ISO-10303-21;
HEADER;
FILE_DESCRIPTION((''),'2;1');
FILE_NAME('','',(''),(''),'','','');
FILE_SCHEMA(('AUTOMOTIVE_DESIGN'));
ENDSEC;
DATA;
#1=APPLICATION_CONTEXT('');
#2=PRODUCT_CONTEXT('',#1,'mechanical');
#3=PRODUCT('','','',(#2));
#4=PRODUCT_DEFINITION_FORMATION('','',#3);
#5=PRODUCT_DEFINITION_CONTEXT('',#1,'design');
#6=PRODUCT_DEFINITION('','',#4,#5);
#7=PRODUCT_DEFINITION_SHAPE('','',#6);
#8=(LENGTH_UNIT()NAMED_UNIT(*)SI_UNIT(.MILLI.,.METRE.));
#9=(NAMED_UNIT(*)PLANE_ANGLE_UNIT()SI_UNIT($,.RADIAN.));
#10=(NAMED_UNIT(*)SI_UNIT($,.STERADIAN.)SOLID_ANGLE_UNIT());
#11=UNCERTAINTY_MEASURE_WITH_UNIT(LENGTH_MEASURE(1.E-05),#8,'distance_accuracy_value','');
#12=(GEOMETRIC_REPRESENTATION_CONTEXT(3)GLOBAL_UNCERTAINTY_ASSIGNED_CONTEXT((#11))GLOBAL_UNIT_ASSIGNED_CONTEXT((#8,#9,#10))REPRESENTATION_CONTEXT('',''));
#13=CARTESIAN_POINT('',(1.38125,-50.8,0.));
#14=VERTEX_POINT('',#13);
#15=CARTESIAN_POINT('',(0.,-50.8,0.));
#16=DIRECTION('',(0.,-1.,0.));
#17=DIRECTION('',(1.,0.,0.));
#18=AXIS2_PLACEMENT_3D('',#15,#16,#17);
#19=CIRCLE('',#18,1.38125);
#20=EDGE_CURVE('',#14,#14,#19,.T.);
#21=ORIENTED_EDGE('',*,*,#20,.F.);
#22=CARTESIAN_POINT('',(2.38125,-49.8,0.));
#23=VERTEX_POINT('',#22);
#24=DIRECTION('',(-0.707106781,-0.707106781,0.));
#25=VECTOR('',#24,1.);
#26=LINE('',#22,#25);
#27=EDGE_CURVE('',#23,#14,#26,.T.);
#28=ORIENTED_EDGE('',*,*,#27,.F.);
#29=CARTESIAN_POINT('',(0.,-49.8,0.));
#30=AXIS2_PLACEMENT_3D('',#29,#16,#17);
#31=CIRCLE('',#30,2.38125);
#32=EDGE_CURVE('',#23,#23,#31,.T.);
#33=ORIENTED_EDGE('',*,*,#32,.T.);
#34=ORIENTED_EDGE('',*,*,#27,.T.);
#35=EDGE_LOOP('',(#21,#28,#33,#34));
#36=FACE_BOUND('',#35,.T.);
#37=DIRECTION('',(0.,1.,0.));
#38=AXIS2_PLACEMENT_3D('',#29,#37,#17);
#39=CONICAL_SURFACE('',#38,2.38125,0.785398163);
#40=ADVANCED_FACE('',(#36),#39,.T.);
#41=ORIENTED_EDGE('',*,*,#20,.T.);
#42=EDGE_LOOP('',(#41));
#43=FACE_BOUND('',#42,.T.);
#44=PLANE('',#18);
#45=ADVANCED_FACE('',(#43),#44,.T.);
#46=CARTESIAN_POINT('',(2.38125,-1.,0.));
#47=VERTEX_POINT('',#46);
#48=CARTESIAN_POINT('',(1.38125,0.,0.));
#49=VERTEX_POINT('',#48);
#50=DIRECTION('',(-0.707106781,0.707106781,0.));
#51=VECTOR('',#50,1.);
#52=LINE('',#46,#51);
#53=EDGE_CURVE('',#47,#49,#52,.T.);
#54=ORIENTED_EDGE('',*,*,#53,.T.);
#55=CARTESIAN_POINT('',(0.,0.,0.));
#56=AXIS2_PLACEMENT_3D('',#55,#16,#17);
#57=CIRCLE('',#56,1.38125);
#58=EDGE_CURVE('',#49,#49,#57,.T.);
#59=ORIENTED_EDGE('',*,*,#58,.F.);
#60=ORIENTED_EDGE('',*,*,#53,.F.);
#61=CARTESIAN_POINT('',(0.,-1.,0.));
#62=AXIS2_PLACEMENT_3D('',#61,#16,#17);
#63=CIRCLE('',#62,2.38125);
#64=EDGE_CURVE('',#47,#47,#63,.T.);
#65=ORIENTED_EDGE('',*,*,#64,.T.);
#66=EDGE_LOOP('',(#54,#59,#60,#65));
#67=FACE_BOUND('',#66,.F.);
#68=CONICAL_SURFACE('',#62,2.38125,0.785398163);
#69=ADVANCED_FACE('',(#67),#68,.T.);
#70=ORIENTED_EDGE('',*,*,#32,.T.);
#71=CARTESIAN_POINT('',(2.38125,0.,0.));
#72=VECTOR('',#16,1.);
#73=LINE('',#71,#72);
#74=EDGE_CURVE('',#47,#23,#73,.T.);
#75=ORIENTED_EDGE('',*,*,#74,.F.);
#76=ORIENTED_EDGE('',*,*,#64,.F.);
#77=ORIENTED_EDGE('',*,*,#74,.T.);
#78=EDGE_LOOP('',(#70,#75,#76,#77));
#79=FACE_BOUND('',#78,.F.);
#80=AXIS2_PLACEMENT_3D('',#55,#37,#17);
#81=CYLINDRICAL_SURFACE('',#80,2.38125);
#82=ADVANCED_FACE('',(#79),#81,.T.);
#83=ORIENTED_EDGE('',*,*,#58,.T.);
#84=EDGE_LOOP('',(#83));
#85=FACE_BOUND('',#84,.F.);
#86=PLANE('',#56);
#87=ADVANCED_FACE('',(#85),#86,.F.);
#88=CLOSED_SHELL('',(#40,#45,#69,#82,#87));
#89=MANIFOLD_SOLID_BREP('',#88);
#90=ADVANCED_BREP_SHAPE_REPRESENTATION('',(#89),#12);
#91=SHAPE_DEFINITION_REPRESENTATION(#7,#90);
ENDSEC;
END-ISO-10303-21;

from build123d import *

# Parameters (mm, degrees)
SKETCH040_R     = 2.38125
PAD011_DEPTH    = 50.8
CHAMFER_SIZE    = 1
CHAMFER001_SIZE = 1


with BuildPart() as part:
    # Sketch040 → Pad011 (new body)
    with BuildSketch(Plane.XZ):
        Circle(SKETCH040_R)
    extrude(amount=PAD011_DEPTH)

    # Chamfer
    chamfer_edges = [part.edges().sort_by_distance(p)[0] for p in [
        (-2.38125, -50.8, 0),
    ]]
    chamfer(chamfer_edges, length=CHAMFER_SIZE)

    # Chamfer001
    chamfer001_edges = [part.edges().sort_by_distance(p)[0] for p in [
        (-2.38125, 0, 0),
    ]]
    chamfer(chamfer001_edges, length=CHAMFER001_SIZE)


solid = part.part
